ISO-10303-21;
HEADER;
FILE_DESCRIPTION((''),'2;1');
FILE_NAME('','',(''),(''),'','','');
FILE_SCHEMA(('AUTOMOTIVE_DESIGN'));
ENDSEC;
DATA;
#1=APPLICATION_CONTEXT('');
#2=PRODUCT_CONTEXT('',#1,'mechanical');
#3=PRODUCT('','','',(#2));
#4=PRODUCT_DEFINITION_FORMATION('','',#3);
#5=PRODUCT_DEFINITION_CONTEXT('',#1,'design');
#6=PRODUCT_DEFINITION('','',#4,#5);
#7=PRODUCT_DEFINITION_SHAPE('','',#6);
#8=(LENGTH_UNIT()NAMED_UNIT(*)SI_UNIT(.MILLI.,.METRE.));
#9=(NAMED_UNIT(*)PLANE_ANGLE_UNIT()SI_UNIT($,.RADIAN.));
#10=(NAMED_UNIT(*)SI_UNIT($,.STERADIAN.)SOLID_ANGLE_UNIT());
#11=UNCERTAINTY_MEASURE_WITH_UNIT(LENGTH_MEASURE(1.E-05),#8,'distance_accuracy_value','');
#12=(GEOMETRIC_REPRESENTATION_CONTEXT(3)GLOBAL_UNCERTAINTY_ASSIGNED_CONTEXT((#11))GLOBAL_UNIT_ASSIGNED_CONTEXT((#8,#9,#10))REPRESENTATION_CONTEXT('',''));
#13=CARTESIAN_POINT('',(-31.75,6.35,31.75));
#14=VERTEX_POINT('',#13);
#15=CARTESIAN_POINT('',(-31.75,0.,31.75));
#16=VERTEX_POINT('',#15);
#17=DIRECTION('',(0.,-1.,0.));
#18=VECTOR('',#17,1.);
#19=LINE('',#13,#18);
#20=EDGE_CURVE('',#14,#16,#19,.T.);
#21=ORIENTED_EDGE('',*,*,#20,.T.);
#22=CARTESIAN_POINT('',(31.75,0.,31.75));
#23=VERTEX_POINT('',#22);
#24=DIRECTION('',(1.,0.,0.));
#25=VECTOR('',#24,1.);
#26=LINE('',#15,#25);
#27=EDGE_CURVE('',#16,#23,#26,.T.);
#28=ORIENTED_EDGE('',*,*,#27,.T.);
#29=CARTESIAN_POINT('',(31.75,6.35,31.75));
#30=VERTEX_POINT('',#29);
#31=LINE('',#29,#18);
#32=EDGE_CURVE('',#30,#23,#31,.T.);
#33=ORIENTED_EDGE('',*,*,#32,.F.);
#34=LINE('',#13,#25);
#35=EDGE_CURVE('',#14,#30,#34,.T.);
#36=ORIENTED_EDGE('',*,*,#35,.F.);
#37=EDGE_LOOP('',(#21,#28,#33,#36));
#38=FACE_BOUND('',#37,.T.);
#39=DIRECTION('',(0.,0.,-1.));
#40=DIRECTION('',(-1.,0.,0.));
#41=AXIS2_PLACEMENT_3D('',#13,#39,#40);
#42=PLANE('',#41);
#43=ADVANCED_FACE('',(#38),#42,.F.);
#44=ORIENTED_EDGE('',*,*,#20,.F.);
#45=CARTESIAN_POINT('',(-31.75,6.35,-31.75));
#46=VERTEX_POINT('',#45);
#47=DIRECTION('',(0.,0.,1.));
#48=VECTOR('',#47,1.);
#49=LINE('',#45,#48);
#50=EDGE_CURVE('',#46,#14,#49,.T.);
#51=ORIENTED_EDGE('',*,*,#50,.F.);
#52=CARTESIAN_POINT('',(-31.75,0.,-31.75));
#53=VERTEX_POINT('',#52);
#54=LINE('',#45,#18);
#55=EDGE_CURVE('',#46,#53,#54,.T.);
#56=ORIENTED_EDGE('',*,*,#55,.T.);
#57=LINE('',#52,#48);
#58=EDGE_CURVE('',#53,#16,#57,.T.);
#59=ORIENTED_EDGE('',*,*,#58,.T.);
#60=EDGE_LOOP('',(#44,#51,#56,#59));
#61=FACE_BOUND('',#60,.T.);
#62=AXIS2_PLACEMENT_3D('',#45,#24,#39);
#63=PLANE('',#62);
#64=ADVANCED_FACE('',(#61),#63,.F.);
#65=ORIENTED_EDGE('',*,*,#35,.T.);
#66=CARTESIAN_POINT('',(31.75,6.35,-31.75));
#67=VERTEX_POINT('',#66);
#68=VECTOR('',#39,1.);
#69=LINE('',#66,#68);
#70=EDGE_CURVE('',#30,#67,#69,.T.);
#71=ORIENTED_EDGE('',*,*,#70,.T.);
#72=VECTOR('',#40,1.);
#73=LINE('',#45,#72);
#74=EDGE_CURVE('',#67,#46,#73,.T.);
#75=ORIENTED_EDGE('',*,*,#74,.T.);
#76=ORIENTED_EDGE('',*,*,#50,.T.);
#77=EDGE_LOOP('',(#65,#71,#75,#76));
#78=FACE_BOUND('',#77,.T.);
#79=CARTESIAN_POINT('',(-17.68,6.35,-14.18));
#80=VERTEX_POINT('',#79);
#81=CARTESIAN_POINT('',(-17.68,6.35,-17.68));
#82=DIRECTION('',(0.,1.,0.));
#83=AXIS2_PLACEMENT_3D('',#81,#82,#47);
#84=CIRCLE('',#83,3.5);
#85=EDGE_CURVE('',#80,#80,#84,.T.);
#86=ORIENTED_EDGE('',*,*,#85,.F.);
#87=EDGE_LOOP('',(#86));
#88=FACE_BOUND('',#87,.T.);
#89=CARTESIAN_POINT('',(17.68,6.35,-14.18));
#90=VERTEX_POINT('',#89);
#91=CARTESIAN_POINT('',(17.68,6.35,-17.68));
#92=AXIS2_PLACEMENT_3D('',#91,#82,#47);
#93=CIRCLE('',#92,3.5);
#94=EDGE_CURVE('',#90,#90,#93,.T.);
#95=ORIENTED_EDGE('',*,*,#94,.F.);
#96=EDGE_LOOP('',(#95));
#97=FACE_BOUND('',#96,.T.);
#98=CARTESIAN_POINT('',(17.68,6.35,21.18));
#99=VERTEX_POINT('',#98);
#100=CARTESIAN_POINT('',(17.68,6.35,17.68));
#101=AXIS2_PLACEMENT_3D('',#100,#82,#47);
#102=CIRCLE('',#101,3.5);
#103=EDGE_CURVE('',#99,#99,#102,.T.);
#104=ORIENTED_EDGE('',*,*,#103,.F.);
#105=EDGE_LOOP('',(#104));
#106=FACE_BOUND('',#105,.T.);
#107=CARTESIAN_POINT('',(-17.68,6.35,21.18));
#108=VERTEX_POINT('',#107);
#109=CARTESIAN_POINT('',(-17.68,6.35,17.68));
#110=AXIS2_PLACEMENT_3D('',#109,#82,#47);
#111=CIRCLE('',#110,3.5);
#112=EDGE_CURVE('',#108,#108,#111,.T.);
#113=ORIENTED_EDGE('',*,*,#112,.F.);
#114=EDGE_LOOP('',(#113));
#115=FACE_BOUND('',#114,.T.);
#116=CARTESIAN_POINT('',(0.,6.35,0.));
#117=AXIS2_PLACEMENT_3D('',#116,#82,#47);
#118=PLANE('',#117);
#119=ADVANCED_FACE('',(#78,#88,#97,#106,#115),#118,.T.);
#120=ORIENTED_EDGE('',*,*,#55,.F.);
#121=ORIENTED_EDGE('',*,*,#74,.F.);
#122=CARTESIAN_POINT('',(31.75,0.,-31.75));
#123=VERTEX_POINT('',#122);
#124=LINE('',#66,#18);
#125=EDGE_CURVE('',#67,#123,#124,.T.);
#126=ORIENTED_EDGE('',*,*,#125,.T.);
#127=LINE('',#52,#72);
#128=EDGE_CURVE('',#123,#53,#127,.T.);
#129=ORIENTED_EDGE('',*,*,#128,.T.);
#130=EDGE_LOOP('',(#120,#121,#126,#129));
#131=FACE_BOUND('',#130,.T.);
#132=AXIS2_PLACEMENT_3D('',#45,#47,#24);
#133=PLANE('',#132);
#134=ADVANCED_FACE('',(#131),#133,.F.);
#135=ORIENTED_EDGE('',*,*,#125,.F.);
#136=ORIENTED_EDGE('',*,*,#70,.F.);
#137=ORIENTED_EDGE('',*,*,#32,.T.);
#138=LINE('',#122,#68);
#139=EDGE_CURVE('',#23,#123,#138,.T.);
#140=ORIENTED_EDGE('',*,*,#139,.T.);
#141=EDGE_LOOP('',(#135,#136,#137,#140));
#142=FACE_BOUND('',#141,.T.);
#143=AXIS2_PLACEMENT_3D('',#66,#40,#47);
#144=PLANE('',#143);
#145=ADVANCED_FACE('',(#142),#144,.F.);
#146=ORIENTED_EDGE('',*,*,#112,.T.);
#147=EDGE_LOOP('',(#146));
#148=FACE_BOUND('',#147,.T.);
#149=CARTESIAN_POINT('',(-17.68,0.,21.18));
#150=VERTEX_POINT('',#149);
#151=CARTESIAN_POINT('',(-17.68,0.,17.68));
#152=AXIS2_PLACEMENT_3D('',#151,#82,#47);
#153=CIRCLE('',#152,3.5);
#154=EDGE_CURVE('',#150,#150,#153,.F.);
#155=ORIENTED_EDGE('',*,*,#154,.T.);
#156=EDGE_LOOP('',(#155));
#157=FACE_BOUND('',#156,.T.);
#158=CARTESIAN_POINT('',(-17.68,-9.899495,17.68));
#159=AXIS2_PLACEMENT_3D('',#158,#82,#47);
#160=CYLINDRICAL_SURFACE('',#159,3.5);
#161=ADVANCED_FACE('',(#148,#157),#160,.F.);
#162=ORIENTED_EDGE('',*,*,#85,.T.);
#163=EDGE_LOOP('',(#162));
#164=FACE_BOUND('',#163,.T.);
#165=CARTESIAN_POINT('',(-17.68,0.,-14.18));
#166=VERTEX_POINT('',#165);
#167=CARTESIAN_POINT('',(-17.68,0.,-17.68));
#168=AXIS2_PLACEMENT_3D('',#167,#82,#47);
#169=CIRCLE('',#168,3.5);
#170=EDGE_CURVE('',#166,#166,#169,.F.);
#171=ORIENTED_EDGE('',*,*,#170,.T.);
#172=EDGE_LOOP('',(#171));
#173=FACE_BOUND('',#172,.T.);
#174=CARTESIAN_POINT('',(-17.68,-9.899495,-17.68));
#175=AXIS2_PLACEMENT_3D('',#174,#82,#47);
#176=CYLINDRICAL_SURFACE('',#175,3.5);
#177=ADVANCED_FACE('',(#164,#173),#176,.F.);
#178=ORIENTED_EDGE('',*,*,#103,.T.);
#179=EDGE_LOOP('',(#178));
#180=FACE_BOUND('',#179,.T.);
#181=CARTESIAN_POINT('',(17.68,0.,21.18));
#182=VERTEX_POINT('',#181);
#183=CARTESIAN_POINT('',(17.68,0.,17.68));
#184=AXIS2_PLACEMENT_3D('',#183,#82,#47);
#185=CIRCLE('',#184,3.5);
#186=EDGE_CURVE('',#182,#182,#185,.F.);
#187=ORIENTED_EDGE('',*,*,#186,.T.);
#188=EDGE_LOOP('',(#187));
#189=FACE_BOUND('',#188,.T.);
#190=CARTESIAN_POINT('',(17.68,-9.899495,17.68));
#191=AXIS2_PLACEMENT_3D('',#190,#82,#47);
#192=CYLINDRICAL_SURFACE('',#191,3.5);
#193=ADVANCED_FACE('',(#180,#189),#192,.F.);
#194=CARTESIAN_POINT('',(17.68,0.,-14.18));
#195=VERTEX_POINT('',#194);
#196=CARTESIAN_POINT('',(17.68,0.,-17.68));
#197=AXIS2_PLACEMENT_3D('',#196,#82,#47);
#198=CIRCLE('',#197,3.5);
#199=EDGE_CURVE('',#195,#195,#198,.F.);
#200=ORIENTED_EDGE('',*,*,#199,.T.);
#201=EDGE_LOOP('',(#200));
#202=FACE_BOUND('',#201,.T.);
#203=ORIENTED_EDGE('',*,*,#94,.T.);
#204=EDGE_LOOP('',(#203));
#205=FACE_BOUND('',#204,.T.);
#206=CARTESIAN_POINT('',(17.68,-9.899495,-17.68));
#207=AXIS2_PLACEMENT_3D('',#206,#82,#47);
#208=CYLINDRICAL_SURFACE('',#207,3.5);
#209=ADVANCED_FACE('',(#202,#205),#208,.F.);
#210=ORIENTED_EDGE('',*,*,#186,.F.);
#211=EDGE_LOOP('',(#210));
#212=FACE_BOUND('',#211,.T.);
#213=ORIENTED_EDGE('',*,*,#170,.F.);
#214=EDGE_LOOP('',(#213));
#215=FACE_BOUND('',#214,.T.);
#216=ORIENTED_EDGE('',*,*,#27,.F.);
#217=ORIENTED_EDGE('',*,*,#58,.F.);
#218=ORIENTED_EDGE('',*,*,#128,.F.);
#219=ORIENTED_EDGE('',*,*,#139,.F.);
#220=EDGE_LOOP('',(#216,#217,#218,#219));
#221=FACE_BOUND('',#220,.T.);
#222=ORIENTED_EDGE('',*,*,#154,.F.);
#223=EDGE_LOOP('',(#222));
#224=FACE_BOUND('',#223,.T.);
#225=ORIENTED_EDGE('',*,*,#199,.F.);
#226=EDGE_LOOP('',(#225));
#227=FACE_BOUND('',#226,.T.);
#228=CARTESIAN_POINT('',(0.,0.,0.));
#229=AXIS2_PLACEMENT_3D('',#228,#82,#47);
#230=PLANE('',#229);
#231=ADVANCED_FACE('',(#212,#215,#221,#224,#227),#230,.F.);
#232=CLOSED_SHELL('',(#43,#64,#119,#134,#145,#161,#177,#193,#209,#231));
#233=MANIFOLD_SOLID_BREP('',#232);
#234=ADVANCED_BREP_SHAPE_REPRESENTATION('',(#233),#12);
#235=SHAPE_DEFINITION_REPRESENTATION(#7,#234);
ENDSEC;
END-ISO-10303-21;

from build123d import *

# Parameters (mm, degrees)
SKETCH1_W           = 63.5
SKETCH1_H           = 63.5
BOSS_EXTRUDE1_DEPTH = 6.35
SKETCH2_R           = 3.5
CUT_EXTRUDE1_DEPTH  = 6.35


with BuildPart() as part:
    # Sketch1 → Boss-Extrude1 (new body)
    with BuildSketch(Plane(origin=(0, 0, 0), x_dir=(1, 0, 0), z_dir=(0, 1, 0))):
        Rectangle(SKETCH1_W, SKETCH1_H)
    extrude(amount=BOSS_EXTRUDE1_DEPTH)

    # Sketch2 → Cut-Extrude1 (cut)
    with BuildSketch(Plane(origin=(0, 6.35, 0), x_dir=(1, 0, 0), z_dir=(0, 1, 0))):
        with Locations(Location((-17.68, 17.68, 0), (0, 0, 270))):
            Circle(SKETCH2_R)
        with Locations(Location((17.68, 17.68, 0), (0, 0, 270))):
            Circle(SKETCH2_R)
        with Locations(Location((17.68, -17.68, 0), (0, 0, 270))):
            Circle(SKETCH2_R)
        with Locations(Location((-17.68, -17.68, 0), (0, 0, 270))):
            Circle(SKETCH2_R)
    extrude(amount=-CUT_EXTRUDE1_DEPTH, mode=Mode.SUBTRACT)


solid = part.part
